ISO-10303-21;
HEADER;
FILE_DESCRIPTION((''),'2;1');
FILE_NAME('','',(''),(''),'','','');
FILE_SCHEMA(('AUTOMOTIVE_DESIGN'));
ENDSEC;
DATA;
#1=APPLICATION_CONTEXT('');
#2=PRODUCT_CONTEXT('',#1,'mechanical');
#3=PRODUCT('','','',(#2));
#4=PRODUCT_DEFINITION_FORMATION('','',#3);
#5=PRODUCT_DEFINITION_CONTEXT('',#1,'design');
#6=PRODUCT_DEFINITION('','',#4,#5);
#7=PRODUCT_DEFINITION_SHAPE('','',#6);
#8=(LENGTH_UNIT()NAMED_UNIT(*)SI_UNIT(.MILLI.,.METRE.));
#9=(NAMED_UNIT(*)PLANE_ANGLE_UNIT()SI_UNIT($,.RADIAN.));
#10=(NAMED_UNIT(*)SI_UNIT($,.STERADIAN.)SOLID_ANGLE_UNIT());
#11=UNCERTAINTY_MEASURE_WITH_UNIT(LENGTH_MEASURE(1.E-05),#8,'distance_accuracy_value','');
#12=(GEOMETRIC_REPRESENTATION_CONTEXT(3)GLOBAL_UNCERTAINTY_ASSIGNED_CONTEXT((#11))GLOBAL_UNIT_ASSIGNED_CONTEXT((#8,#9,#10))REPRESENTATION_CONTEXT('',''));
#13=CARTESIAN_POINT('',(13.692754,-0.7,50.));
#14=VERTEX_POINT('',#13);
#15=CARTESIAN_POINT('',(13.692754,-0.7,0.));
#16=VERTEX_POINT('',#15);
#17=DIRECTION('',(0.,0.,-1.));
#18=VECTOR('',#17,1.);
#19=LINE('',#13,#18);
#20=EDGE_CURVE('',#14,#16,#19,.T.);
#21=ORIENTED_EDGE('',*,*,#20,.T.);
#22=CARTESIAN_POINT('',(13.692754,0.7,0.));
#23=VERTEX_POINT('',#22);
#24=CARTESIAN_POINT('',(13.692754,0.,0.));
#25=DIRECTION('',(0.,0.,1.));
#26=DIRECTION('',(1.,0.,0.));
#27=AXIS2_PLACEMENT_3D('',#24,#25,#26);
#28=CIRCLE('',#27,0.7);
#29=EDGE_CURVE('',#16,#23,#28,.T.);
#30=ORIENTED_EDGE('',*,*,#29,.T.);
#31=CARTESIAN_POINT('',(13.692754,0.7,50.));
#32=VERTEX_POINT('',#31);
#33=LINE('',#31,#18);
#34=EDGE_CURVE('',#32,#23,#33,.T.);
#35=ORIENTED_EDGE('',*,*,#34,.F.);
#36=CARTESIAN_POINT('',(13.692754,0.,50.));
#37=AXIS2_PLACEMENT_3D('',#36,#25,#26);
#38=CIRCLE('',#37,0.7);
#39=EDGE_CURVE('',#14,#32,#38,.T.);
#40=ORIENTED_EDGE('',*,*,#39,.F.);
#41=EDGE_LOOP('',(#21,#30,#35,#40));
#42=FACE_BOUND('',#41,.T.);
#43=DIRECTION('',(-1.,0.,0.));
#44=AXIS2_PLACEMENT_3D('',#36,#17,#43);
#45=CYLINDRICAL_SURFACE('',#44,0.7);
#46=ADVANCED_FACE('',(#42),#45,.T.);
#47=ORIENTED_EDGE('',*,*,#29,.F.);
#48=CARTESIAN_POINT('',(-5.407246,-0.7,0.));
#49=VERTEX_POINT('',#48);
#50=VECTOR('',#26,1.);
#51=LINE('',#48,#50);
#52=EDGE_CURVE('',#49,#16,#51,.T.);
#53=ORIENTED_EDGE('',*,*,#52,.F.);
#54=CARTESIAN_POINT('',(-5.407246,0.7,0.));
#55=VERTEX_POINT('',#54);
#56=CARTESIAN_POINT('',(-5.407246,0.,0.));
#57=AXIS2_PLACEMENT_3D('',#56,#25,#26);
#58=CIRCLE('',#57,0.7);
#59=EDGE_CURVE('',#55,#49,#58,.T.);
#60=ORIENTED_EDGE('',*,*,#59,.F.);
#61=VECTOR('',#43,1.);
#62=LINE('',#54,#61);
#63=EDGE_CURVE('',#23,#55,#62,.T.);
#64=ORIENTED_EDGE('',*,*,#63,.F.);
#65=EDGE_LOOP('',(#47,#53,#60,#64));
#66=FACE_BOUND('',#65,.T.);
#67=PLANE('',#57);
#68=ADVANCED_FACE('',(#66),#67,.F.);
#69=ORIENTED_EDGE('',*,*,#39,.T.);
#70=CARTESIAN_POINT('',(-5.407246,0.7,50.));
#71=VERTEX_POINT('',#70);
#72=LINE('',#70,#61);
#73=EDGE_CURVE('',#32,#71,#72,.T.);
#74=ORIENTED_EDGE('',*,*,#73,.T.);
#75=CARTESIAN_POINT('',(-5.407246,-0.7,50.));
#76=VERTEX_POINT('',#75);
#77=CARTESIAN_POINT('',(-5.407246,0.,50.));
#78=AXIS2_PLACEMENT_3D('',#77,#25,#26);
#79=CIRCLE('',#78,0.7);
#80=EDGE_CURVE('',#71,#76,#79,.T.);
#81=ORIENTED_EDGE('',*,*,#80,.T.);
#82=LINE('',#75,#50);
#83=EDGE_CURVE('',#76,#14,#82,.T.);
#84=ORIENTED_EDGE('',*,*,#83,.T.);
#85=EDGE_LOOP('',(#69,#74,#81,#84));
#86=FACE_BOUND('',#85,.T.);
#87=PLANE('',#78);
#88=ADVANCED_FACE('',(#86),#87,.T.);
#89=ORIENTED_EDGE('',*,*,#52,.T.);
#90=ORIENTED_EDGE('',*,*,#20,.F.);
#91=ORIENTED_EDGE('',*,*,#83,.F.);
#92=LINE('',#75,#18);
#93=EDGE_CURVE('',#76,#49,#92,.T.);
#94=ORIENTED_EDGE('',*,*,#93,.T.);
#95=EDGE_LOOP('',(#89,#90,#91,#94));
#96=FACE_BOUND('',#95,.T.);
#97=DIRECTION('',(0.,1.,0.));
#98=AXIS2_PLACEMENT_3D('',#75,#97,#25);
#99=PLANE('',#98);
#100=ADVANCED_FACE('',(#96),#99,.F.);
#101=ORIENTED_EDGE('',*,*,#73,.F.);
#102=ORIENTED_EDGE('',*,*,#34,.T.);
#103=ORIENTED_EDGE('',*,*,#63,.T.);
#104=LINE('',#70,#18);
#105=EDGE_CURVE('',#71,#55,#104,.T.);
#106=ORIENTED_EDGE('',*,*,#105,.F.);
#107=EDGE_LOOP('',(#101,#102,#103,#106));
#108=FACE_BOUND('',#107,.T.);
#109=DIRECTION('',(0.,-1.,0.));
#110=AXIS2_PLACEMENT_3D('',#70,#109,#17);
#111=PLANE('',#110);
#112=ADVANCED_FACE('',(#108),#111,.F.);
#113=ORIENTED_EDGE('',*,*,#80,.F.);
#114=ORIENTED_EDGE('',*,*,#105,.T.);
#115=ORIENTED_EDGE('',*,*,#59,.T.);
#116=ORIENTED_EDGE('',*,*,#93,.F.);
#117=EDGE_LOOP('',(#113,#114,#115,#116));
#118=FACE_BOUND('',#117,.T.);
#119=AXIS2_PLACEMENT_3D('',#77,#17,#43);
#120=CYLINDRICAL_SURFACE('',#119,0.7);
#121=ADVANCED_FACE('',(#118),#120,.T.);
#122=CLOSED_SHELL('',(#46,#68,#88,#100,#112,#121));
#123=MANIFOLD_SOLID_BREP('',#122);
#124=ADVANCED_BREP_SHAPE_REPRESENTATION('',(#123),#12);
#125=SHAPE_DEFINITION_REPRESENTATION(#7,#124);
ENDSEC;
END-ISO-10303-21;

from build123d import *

# Parameters (mm, degrees)
BOSS_EXTRUDE1_DEPTH = 50


with BuildPart() as part:
    # Sketch1 → Boss-Extrude1 (new body)
    with BuildSketch(Plane.XY):
        with BuildLine():
            Line((-5.407246377, 0.7), (13.692753623, 0.7))
            ThreePointArc((13.692753623, 0.7), (14.392753623, 0), (13.692753623, -0.7))
            Line((13.692753623, -0.7), (-5.407246377, -0.7))
            ThreePointArc((-5.407246377, -0.7), (-6.107246377, 0), (-5.407246377, 0.7))
        make_face()
    extrude(amount=BOSS_EXTRUDE1_DEPTH)


solid = part.part
